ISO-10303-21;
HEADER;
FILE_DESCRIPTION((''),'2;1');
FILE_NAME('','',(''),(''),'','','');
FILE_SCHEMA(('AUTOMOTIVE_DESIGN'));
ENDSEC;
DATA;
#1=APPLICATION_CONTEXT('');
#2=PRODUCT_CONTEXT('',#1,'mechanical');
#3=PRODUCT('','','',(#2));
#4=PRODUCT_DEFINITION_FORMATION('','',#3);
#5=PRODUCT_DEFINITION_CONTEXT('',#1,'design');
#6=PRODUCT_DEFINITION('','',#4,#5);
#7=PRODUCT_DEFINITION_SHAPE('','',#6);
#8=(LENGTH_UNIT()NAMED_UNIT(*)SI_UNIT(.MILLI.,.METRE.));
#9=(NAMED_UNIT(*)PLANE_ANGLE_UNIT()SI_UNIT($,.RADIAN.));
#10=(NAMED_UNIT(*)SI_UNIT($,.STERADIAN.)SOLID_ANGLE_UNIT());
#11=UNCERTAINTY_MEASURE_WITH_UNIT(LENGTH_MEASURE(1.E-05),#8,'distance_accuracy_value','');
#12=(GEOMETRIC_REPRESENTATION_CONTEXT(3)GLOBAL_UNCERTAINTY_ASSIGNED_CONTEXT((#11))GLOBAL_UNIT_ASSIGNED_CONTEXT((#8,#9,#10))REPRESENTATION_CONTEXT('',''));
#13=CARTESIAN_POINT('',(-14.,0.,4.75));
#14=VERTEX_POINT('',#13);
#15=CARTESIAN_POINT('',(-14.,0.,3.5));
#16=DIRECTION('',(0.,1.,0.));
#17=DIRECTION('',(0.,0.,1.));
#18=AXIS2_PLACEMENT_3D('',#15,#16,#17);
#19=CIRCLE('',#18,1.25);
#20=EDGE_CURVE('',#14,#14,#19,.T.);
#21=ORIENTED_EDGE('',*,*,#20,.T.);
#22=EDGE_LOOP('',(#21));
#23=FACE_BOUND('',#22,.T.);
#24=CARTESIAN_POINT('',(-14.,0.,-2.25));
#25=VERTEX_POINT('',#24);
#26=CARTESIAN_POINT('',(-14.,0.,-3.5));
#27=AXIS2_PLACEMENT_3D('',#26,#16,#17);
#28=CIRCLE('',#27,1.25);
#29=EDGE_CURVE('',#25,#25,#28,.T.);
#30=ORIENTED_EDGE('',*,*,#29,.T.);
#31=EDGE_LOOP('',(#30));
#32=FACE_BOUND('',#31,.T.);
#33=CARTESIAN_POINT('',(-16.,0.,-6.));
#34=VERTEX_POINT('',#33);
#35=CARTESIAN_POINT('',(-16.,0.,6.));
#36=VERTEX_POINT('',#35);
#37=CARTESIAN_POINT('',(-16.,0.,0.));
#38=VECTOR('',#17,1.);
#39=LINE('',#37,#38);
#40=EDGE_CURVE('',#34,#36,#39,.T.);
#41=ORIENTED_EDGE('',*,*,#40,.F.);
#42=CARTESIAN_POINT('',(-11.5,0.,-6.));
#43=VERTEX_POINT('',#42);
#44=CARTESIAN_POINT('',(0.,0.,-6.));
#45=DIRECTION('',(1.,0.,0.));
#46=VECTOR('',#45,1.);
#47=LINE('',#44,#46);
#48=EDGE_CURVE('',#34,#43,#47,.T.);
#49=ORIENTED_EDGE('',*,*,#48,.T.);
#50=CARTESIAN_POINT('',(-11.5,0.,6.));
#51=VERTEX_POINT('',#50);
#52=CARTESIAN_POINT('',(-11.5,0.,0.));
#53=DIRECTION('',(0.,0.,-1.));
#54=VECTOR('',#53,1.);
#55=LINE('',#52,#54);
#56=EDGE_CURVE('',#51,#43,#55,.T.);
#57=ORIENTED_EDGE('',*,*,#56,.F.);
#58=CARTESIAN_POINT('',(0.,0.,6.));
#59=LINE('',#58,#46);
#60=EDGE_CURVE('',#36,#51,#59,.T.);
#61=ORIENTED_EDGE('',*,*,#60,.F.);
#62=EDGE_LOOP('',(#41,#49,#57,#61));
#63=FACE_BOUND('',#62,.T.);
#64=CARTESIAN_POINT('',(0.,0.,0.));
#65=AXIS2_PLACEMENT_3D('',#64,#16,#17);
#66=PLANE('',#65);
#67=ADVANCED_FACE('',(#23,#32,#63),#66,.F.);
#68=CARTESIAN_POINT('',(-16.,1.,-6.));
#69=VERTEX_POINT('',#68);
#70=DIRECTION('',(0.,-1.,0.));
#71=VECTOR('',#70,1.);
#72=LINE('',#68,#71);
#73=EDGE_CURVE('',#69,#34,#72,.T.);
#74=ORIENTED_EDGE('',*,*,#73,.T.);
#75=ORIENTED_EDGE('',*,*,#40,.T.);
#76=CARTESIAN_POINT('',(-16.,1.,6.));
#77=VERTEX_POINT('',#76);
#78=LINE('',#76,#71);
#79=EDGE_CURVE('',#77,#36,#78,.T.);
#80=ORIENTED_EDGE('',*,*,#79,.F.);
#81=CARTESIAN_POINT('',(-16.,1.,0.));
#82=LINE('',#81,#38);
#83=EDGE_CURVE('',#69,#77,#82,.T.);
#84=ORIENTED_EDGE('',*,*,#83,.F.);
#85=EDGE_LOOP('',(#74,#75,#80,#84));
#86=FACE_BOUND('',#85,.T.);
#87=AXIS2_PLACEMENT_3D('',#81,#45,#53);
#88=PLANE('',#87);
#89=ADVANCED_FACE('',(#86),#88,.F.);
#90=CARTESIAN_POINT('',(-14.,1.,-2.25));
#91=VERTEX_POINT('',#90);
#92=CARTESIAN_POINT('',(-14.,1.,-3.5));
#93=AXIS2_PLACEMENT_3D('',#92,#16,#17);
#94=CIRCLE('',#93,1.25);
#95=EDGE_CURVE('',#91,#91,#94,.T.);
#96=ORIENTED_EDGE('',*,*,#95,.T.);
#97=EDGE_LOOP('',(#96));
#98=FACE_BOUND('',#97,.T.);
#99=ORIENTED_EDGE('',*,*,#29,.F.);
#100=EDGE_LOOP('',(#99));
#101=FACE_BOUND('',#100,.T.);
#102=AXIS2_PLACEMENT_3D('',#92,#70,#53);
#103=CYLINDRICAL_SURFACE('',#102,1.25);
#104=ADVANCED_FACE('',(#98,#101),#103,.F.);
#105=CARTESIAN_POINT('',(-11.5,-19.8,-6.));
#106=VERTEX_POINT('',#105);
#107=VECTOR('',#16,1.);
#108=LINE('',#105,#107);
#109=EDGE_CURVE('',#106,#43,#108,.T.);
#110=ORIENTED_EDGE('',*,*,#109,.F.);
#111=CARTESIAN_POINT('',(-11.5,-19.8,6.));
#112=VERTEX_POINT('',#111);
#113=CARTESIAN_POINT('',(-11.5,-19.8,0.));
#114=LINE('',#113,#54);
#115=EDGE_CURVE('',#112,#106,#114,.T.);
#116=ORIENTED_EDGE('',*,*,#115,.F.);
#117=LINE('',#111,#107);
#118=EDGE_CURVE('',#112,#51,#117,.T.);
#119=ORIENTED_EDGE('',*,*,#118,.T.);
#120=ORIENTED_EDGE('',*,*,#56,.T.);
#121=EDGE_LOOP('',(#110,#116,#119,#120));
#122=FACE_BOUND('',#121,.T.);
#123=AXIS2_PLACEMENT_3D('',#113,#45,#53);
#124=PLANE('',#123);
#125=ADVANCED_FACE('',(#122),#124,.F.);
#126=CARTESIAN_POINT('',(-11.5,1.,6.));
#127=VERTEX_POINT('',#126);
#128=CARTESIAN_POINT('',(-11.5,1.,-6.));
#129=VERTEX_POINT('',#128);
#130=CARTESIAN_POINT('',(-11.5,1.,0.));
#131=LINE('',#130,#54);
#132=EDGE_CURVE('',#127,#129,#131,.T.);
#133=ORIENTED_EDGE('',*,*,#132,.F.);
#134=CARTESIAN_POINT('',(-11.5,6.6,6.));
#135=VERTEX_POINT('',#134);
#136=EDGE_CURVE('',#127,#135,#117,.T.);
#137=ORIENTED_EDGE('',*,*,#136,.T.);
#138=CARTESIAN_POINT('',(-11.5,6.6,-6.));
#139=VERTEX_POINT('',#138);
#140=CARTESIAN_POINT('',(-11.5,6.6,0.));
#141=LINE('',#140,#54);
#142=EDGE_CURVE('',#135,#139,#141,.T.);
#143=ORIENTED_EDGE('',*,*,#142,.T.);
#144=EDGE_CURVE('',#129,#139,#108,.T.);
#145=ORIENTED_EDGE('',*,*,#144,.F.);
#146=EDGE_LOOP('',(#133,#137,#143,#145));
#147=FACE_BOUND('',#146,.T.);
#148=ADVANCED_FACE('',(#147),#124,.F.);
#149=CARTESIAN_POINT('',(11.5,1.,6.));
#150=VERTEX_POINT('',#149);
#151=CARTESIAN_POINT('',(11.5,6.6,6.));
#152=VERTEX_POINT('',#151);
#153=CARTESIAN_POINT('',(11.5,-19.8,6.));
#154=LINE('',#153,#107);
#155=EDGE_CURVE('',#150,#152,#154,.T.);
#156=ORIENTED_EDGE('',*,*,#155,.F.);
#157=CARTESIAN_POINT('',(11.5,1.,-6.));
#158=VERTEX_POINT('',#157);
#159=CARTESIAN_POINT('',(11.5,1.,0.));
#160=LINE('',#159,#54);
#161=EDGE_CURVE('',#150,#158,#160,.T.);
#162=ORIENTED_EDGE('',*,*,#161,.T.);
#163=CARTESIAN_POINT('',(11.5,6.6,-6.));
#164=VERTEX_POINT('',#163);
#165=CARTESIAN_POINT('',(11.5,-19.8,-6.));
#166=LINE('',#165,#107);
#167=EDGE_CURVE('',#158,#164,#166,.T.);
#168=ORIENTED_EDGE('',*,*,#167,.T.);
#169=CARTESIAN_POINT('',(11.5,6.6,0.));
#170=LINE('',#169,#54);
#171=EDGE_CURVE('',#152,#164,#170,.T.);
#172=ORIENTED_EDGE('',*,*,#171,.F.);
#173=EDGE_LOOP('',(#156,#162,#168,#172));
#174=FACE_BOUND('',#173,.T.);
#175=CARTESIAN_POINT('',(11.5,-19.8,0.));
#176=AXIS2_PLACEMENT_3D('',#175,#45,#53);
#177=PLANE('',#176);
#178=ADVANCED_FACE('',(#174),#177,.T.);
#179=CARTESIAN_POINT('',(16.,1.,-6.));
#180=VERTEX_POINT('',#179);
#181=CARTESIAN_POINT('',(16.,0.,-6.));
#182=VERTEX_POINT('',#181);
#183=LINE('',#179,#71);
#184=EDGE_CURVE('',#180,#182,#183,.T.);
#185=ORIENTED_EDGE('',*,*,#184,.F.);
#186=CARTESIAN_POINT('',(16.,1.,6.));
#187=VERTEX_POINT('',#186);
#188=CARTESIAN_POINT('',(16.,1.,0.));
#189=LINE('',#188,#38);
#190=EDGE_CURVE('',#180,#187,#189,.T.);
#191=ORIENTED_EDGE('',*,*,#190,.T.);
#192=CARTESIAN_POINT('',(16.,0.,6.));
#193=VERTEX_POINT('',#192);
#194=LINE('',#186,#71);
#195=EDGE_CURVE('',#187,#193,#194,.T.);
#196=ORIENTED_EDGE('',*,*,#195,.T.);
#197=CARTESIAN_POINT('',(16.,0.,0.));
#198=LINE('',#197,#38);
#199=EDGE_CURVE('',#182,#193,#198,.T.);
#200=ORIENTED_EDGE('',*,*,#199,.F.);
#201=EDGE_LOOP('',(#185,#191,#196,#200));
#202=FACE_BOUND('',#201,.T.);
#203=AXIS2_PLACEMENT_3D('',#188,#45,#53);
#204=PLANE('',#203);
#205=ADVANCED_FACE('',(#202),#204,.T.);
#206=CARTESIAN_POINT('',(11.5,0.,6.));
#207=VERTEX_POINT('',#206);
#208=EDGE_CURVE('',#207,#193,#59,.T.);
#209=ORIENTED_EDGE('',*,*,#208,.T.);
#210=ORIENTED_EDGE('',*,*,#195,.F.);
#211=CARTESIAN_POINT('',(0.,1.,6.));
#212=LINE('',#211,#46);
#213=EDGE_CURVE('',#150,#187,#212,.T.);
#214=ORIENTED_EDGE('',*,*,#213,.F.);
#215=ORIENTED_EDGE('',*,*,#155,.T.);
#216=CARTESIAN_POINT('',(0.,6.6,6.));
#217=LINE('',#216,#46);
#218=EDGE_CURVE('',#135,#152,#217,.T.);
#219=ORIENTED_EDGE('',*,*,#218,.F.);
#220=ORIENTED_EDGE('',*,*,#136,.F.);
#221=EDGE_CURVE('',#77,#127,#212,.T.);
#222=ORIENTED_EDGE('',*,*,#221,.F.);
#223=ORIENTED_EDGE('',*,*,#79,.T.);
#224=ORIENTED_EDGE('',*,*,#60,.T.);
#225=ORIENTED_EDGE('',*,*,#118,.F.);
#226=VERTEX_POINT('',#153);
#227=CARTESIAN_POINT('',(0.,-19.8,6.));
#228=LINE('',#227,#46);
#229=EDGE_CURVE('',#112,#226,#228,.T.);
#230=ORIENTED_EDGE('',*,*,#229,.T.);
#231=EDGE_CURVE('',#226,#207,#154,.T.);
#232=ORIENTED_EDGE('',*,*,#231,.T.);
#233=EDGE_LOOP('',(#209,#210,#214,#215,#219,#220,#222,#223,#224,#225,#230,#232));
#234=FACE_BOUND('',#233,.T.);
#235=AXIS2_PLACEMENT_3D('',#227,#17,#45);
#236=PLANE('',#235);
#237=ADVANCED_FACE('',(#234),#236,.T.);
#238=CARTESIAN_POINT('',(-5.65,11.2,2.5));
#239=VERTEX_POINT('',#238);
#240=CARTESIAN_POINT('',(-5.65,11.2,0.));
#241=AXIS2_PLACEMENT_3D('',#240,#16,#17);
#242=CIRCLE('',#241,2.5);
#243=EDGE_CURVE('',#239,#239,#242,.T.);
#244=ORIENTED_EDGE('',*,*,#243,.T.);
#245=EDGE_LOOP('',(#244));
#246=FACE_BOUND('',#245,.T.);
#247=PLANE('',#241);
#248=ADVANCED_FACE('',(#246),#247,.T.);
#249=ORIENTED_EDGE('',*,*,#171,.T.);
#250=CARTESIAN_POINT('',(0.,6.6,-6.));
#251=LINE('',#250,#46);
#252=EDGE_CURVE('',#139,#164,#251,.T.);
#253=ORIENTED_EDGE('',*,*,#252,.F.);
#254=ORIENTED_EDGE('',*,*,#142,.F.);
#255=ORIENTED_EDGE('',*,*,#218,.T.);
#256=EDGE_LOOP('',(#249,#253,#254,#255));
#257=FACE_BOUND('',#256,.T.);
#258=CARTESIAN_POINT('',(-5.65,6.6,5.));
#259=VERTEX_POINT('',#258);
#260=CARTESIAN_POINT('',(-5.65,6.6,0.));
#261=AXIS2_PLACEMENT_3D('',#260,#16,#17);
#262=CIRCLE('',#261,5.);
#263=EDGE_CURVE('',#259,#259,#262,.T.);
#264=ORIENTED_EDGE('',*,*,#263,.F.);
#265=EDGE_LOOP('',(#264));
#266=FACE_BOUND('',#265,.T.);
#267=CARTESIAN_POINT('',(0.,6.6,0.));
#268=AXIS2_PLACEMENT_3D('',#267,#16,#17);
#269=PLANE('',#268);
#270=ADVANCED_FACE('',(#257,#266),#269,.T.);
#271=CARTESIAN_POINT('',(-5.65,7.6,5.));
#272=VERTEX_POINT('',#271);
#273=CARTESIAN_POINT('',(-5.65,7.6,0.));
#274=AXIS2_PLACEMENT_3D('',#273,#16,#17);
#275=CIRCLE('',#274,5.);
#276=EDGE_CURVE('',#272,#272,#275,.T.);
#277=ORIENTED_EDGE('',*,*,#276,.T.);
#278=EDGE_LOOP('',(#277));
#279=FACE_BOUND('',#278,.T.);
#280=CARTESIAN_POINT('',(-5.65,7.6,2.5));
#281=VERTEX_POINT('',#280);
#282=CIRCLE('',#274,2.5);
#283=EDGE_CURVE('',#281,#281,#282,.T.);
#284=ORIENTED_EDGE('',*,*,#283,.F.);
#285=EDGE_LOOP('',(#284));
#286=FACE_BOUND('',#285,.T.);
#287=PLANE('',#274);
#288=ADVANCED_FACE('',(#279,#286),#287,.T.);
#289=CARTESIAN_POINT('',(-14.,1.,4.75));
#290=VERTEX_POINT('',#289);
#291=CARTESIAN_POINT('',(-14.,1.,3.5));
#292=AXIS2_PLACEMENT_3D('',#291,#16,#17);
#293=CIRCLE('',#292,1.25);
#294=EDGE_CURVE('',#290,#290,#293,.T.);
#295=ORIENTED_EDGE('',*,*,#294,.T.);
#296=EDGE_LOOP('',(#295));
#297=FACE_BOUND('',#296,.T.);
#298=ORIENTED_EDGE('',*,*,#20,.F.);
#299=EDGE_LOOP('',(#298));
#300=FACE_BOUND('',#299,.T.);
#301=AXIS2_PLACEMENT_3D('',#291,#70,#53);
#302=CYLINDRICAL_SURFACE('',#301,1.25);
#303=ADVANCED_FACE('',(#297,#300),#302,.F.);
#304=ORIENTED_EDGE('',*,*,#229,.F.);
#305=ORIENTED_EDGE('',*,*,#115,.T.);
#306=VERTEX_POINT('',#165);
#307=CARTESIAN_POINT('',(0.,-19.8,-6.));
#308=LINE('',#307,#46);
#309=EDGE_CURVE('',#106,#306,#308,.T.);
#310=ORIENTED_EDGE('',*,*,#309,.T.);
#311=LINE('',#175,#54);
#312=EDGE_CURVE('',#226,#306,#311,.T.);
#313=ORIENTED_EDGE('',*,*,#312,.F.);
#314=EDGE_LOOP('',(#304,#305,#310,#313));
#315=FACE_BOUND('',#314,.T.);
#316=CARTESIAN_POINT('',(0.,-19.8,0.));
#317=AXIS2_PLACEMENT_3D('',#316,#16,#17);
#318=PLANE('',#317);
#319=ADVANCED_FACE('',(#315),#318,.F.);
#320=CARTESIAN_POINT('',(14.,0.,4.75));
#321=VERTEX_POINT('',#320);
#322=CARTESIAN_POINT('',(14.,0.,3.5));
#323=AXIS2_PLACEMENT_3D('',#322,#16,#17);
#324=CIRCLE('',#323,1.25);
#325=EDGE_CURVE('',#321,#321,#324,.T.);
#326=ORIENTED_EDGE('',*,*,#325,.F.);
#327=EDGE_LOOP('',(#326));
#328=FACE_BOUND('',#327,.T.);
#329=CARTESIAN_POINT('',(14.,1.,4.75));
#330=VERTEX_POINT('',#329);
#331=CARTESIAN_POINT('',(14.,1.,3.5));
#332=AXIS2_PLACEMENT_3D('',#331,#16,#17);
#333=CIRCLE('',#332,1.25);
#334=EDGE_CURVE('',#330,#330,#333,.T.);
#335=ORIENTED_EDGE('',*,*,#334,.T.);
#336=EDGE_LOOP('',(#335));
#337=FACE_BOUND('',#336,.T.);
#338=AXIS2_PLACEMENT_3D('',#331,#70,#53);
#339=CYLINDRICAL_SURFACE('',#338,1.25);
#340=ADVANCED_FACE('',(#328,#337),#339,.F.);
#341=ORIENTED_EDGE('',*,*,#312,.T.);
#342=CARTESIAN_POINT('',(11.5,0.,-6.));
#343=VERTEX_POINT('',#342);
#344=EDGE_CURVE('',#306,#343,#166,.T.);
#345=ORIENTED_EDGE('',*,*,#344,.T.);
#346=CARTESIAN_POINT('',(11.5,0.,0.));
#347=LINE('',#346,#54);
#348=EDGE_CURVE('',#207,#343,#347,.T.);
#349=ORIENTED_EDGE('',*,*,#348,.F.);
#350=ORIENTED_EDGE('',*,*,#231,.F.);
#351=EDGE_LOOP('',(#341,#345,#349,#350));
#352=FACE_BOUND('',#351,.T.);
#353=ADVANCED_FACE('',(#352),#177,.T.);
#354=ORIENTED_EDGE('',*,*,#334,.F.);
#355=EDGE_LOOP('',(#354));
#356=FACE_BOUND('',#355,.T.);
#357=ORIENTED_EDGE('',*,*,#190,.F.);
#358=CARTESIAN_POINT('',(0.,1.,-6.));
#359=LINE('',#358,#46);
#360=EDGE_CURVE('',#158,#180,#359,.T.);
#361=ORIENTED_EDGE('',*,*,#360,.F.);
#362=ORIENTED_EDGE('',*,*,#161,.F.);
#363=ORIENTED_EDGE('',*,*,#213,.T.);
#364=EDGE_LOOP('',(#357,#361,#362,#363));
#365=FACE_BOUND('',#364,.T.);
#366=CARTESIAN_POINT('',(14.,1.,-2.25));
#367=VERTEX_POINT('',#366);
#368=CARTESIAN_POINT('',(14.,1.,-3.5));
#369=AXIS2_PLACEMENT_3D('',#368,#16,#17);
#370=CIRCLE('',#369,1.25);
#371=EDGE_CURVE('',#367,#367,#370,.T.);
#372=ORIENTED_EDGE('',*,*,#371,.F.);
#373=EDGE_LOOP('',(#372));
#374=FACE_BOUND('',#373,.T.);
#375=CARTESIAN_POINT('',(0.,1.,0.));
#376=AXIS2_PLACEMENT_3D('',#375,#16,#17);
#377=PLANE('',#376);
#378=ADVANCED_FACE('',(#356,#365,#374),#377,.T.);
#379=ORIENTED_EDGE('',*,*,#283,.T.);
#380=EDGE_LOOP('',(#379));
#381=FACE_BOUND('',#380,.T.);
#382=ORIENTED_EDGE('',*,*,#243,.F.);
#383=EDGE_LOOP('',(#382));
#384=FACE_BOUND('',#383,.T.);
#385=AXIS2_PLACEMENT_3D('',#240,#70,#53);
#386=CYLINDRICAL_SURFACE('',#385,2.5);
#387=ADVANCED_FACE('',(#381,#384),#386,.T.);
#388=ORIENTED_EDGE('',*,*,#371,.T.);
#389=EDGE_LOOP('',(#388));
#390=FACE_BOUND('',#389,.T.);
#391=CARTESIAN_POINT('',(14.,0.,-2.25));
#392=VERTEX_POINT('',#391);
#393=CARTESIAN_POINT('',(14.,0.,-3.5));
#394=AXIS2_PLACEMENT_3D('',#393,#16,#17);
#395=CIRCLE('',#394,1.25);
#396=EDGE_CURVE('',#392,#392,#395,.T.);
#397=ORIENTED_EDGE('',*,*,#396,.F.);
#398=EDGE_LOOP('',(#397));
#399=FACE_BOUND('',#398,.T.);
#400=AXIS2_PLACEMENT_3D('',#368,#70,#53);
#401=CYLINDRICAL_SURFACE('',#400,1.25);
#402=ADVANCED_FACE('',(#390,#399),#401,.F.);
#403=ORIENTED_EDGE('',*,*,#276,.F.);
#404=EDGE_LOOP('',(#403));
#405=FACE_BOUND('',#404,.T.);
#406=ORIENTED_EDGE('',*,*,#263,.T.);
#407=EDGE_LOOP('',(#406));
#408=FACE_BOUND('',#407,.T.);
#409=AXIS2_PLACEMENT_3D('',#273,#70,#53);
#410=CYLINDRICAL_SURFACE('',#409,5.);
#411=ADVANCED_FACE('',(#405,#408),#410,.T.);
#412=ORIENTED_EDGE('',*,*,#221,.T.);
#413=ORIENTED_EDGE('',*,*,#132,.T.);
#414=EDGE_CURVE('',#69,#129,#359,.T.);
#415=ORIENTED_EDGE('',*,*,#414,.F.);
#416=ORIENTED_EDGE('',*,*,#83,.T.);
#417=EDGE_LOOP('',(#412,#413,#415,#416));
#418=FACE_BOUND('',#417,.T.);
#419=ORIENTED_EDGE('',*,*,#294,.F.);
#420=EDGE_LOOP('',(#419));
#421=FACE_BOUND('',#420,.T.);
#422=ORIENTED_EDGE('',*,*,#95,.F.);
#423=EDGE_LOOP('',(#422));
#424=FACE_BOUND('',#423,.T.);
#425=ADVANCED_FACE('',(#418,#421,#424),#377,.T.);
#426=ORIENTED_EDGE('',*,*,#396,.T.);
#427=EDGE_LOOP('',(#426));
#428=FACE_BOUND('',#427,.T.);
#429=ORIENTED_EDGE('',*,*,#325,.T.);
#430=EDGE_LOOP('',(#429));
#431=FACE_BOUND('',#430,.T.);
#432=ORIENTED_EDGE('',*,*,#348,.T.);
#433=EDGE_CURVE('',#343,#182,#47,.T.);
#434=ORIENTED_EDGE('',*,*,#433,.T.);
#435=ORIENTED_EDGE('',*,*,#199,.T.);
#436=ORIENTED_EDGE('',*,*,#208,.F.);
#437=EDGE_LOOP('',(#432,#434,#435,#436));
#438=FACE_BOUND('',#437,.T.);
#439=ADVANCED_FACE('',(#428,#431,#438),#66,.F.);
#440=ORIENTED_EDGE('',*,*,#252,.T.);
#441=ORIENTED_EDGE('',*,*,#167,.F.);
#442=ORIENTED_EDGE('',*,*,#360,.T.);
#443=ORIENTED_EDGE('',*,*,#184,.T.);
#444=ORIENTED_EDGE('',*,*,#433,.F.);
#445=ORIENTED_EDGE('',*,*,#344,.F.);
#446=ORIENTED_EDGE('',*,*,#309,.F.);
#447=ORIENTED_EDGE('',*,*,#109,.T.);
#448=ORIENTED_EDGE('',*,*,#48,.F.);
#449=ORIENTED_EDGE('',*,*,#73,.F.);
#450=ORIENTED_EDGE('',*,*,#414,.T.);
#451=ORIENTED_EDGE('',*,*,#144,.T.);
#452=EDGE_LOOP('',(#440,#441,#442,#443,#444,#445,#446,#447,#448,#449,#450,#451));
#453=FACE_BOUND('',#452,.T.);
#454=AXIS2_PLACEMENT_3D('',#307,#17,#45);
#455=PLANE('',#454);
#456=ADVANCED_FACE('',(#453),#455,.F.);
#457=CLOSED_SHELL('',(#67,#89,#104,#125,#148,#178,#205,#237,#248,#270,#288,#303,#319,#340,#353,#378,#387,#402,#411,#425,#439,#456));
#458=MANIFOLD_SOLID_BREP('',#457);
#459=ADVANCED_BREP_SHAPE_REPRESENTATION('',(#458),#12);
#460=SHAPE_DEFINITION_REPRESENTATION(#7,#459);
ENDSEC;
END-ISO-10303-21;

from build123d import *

# Parameters (mm, degrees)
EXTRUDE_1_DEPTH      = 6.6
EXTRUDE_1_DEPTH_BACK = 19.8
SKETCH_1_W           = 23
SKETCH_1_H           = 12
SKETCH_1_3_W         = 4.5
SKETCH_1_3_H         = 12
SKETCH_1_3_R         = 1.25
EXTRUDE_2_DEPTH      = 1
SKETCH_2_R           = 2.5
EXTRUDE_3_DEPTH      = 4.6
SKETCH_3_R           = 5
EXTRUDE_4_DEPTH      = 1


with BuildPart() as part:
    # 草图1 → 凸台-拉伸1 (new, two sides: drawn at the far end of the back side and taken through both)
    with BuildSketch(Plane(origin=(0, 0, 0), x_dir=(1, 0, 0), z_dir=(0, 1, 0)).offset(-EXTRUDE_1_DEPTH_BACK)):
        Rectangle(SKETCH_1_W, SKETCH_1_H)
    extrude(amount=EXTRUDE_1_DEPTH + EXTRUDE_1_DEPTH_BACK)

    # 草图1<3> → 凸台-拉伸2 (add)
    # profile 1 of 2: a face of its own
    with BuildSketch(Plane(origin=(0, 0, 0), x_dir=(1, 0, 0), z_dir=(0, 1, 0))):
        with Locations((-13.75, 0)):
            Rectangle(SKETCH_1_3_W, SKETCH_1_3_H)
        with Locations((-14, -3.5)):
            Circle(SKETCH_1_3_R, mode=Mode.SUBTRACT)
        with Locations((-14, 3.5)):
            Circle(SKETCH_1_3_R, mode=Mode.SUBTRACT)
    # profile 2 of 2: a face of its own
    with BuildSketch(Plane(origin=(0, 0, 0), x_dir=(1, 0, 0), z_dir=(0, 1, 0))):
        with Locations((13.75, 0)):
            Rectangle(SKETCH_1_3_W, SKETCH_1_3_H)
        with Locations((14, -3.5)):
            Circle(SKETCH_1_3_R, mode=Mode.SUBTRACT)
        with Locations((14, 3.5)):
            Circle(SKETCH_1_3_R, mode=Mode.SUBTRACT)
    extrude(amount=EXTRUDE_2_DEPTH)

    # 草图2 → 凸台-拉伸3 (add)
    with BuildSketch(Plane(origin=(0, 6.6, 0), x_dir=(1, 0, 0), z_dir=(0, 1, 0))):
        with Locations((-5.65, 0)):
            Circle(SKETCH_2_R)
    extrude(amount=EXTRUDE_3_DEPTH)

    # 草图3 → 凸台-拉伸4 (add)
    with BuildSketch(Plane(origin=(0, 6.6, 0), x_dir=(1, 0, 0), z_dir=(0, 1, 0))):
        with Locations((-5.65, 0)):
            Circle(SKETCH_3_R)
    extrude(amount=EXTRUDE_4_DEPTH)


solid = part.part
